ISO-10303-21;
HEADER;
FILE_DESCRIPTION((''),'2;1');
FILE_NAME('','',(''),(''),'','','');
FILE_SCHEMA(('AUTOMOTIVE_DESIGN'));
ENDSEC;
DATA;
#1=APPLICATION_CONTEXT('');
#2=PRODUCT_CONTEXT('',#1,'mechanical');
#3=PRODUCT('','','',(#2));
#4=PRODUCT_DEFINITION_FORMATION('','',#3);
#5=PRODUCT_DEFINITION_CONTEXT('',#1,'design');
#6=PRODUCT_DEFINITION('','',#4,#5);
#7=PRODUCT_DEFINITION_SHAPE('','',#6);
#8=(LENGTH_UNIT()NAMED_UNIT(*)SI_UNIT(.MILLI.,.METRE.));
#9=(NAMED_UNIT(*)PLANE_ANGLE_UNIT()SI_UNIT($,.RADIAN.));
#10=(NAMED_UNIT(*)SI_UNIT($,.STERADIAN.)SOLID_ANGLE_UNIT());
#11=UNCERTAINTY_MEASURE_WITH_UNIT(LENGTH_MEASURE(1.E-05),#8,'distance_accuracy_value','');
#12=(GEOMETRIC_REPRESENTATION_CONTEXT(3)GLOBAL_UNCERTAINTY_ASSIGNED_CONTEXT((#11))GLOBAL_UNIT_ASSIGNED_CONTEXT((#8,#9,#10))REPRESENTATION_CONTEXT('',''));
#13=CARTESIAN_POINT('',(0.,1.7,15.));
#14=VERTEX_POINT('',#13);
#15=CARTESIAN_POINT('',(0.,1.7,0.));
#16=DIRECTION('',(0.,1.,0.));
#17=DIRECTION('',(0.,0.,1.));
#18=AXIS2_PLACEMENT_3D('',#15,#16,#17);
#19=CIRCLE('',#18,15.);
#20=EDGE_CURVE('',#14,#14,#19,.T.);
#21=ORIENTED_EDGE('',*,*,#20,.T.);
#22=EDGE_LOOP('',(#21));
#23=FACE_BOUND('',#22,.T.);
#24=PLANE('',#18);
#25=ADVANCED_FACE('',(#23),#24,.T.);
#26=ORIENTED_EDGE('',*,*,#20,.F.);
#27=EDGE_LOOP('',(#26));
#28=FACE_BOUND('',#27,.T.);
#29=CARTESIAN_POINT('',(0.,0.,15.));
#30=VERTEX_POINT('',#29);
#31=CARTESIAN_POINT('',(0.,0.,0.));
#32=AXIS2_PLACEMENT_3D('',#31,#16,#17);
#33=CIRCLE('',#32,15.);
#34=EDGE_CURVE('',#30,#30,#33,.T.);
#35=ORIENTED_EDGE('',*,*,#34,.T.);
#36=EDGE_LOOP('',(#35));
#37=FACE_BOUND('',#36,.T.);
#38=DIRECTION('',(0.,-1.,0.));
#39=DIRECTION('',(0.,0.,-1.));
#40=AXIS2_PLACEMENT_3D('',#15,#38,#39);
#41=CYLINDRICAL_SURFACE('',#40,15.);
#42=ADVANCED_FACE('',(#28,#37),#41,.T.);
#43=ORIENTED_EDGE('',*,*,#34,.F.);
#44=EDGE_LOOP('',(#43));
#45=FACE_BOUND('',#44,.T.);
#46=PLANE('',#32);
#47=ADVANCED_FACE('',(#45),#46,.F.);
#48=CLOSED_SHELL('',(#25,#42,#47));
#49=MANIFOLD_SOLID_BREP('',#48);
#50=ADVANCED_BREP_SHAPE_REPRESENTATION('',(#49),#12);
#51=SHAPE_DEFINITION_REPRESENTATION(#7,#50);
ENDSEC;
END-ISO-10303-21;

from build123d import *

# Parameters (mm, degrees)
SKETCH_1_R      = 15
EXTRUDE_1_DEPTH = 1.7


with BuildPart() as part:
    # 草图1 → 凸台-拉伸1 (new body)
    with BuildSketch(Plane(origin=(0, 0, 0), x_dir=(1, 0, 0), z_dir=(0, 1, 0))):
        Circle(SKETCH_1_R)
    extrude(amount=EXTRUDE_1_DEPTH)


solid = part.part
